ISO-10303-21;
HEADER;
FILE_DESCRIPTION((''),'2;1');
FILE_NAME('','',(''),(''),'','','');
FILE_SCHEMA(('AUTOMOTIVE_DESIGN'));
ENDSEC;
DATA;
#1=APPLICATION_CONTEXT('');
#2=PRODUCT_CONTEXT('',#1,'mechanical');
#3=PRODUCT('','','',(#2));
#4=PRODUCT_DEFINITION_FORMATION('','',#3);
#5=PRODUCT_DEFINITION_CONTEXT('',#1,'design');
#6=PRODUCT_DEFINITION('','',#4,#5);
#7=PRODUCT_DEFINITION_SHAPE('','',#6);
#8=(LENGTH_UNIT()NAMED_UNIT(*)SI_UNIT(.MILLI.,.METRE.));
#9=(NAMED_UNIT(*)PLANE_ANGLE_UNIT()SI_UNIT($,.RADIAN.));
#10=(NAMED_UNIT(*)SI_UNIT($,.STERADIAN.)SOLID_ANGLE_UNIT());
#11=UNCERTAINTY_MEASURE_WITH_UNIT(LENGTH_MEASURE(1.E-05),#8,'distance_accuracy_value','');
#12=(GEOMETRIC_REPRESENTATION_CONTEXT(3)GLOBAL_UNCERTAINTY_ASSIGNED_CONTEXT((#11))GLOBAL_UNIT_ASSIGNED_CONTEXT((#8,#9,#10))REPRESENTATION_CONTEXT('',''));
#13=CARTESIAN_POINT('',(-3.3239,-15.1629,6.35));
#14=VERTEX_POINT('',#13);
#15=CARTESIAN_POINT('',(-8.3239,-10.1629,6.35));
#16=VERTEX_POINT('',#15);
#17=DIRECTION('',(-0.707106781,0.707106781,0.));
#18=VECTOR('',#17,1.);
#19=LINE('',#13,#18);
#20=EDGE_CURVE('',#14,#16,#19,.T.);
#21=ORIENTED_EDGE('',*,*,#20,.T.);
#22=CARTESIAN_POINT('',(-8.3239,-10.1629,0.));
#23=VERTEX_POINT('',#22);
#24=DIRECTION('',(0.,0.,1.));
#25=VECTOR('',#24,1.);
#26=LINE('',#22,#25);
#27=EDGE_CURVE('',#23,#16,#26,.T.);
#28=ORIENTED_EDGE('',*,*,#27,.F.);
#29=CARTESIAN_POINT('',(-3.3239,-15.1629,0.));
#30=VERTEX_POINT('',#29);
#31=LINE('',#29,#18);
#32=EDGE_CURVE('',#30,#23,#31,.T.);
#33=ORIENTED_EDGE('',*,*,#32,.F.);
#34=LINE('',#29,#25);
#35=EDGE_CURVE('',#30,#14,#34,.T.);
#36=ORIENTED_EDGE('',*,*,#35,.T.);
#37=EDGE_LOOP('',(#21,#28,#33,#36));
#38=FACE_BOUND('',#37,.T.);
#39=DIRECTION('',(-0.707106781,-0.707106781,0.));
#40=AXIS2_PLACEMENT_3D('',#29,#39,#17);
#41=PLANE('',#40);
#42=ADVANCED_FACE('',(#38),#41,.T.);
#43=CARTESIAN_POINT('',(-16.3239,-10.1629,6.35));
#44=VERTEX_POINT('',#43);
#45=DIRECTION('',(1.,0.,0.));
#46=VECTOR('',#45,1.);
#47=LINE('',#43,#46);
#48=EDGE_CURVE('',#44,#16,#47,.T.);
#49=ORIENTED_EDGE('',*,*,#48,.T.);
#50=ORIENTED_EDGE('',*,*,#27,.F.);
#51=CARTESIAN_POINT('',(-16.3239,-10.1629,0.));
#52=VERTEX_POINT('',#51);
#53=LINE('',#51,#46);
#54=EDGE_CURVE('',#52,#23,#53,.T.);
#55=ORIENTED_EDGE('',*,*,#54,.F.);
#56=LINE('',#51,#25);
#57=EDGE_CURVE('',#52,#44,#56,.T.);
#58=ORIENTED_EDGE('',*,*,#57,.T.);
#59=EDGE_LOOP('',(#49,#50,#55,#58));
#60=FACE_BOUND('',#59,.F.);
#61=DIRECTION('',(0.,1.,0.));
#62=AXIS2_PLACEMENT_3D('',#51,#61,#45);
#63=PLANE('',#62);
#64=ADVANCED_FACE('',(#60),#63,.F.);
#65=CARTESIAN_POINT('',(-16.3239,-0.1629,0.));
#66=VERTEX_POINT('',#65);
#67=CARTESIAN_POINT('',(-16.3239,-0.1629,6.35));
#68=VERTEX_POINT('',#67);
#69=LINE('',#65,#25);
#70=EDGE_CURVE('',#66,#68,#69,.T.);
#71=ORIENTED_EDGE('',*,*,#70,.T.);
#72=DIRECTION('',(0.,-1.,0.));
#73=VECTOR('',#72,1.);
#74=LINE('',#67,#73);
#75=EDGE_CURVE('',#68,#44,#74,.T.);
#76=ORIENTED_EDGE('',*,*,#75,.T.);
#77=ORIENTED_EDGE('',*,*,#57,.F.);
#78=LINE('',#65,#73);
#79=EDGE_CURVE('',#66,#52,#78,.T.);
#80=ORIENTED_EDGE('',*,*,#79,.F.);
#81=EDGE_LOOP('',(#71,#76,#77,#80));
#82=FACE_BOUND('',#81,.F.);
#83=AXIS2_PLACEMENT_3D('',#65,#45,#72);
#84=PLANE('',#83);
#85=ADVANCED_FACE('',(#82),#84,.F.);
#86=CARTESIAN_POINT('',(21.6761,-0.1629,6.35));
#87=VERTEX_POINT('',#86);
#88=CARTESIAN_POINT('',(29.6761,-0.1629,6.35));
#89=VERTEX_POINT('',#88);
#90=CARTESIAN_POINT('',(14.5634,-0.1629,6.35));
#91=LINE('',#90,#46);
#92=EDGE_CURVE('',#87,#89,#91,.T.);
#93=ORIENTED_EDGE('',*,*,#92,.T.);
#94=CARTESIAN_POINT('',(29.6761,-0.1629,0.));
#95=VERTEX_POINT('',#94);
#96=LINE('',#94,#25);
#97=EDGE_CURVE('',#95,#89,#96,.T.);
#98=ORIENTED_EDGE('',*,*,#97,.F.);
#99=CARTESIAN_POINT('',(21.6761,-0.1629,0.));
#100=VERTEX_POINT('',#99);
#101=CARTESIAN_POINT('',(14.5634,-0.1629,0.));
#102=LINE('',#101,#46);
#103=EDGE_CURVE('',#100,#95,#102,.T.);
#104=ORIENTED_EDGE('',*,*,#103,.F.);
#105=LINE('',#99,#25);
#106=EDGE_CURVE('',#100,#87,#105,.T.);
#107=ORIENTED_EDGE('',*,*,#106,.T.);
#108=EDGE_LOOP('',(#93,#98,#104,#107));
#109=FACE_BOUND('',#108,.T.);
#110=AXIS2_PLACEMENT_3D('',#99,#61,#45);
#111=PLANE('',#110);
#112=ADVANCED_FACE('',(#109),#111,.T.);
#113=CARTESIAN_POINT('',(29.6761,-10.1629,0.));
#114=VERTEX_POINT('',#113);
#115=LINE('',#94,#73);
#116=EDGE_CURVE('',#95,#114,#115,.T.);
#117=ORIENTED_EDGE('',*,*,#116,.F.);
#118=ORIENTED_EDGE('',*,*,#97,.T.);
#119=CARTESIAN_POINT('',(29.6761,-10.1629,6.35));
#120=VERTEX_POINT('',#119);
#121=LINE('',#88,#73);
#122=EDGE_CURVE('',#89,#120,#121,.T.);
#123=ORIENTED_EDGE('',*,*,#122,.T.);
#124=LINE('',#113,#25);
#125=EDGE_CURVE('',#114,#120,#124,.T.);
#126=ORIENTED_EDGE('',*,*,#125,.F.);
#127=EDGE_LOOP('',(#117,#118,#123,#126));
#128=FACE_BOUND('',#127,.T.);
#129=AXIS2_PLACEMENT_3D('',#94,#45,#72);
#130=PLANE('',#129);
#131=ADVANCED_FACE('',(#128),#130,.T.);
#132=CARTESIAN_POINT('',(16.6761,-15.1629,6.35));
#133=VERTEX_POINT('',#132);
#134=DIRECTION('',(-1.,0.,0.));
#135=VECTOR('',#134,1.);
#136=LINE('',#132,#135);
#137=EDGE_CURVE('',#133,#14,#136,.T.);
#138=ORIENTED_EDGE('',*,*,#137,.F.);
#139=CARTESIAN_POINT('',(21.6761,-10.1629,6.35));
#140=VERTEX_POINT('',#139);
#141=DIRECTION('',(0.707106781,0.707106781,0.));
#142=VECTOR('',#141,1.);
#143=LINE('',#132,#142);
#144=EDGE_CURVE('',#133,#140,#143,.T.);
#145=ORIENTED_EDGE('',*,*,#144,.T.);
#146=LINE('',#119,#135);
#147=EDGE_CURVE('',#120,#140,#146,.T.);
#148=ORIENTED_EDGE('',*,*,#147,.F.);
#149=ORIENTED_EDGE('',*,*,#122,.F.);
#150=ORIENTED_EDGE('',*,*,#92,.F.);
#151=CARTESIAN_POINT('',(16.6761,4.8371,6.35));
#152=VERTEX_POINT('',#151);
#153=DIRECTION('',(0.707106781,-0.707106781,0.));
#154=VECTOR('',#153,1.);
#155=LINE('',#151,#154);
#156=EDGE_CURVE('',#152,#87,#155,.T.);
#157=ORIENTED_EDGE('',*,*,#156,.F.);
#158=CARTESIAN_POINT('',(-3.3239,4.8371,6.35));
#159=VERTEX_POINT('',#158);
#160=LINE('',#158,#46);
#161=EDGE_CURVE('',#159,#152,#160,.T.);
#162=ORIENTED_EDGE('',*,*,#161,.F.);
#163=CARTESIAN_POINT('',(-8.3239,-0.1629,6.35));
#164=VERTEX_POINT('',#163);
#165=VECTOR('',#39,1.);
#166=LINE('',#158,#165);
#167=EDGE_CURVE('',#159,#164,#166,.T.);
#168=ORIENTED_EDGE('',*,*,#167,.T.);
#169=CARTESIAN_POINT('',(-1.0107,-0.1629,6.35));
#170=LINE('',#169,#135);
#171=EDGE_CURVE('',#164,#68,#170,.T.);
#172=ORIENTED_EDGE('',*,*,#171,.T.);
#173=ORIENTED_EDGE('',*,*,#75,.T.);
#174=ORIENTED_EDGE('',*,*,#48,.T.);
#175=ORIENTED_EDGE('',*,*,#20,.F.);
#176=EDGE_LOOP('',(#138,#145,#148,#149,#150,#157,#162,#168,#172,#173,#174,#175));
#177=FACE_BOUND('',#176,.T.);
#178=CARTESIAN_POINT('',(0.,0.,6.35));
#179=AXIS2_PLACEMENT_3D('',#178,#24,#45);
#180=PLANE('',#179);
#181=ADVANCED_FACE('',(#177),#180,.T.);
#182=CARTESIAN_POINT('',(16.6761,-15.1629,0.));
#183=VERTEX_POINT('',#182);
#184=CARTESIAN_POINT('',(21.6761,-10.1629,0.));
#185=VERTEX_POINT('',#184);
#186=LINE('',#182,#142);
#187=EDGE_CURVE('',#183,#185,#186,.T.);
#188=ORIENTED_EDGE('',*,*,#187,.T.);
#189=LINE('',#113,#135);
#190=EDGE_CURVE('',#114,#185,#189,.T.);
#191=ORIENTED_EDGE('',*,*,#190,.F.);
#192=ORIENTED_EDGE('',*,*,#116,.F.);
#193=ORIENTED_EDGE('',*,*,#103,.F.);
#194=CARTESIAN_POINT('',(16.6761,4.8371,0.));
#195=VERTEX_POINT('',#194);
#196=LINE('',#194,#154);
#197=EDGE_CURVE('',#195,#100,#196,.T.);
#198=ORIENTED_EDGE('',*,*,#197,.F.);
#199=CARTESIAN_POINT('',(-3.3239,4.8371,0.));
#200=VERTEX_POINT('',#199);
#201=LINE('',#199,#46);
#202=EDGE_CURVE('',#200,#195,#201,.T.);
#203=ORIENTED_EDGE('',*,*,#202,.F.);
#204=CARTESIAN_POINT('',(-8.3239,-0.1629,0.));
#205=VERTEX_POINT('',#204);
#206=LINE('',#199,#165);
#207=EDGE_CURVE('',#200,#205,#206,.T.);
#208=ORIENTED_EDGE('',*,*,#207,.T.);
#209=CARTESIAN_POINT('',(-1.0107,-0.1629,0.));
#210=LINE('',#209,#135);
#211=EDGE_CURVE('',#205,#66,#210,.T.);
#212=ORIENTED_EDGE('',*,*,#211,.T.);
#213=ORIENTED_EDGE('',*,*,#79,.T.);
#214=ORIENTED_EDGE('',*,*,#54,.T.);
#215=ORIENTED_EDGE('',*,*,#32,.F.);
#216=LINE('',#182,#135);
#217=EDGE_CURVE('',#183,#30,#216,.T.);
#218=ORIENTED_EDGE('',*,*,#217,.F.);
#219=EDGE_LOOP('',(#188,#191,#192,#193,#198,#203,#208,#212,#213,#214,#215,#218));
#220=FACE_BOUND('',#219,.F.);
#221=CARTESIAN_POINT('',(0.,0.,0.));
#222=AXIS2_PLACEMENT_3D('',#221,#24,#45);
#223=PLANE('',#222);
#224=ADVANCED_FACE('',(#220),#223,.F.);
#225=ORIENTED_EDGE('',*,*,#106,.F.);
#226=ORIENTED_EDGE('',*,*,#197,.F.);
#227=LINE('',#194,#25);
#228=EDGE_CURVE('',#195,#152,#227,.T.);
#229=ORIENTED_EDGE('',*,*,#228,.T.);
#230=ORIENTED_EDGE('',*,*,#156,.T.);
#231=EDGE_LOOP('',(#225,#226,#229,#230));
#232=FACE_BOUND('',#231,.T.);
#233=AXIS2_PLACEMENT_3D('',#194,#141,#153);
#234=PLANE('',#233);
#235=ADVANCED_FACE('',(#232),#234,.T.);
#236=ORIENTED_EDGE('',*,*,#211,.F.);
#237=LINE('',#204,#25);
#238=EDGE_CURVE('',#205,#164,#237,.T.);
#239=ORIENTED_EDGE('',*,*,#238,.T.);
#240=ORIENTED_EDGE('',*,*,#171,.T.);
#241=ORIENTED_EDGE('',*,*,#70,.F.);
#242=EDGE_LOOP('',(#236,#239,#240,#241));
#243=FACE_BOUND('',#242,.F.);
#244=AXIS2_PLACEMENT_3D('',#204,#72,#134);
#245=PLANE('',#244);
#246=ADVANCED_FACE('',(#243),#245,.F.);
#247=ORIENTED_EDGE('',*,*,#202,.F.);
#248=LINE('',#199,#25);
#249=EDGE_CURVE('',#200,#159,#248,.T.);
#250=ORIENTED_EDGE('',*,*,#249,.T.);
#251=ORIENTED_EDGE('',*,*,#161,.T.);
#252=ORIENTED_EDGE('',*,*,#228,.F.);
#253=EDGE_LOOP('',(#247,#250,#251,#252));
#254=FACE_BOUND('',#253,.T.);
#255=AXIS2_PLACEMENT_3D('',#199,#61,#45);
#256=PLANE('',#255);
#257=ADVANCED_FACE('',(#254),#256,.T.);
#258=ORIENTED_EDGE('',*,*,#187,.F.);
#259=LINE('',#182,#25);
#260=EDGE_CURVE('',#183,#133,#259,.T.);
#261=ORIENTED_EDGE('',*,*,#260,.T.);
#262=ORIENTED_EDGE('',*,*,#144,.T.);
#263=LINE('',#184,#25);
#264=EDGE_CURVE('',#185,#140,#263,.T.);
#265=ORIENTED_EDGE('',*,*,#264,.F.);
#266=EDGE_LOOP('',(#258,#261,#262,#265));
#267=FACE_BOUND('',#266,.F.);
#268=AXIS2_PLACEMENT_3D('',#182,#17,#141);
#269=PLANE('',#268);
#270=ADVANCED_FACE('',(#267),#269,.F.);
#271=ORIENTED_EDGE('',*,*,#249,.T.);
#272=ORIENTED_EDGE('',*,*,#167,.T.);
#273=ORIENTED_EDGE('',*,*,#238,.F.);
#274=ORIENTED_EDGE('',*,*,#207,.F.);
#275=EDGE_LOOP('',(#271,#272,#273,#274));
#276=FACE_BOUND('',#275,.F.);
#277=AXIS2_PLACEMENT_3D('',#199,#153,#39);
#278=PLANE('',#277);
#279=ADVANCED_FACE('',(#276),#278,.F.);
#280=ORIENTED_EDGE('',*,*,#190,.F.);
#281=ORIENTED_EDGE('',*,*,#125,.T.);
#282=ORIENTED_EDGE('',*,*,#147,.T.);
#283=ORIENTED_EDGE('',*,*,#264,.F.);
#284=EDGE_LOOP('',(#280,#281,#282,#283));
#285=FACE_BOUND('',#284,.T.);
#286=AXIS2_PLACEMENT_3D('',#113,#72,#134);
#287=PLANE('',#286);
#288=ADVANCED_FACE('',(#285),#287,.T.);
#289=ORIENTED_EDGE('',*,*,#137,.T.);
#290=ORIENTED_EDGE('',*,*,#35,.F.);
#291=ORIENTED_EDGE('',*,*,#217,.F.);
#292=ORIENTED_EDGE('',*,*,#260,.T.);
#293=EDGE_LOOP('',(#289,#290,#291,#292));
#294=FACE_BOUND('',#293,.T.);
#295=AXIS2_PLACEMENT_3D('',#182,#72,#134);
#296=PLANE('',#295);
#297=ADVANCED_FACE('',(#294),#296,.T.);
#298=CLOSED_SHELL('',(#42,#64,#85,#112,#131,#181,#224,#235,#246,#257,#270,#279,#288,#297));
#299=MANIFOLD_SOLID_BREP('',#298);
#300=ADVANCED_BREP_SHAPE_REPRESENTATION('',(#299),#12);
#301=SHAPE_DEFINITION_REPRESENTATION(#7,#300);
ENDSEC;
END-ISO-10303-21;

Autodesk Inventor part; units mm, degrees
ref_plane "YZ Plane" through (0, 0, 0) normal (1, 0, 0) x (0, 1, 0)
ref_plane "XZ Plane" through (0, 0, 0) normal (0, 1, 0) x (-1, 0, 0)
ref_plane "XY Plane" through (0, 0, 0) normal (0, 0, 1) x (1, 0, 0)
sketch "Sketch1" plane through (0, 0, 0) normal (0, 0, 1) x (1, 0, 0)
  line L0 (-3.3239, 4.8371) -> (16.6761, 4.8371)
  line L1 (16.6761, 4.8371) -> (16.6761, -15.1629)
  line L2 (16.6761, -15.1629) -> (-3.3239, -15.1629)
  line L3 (-3.3239, -15.1629) -> (-3.3239, 4.8371)
  line L4 (14.5634, -0.1629) -> (29.6761, -0.1629)
  line L5 (29.6761, -0.1629) -> (29.6761, -10.1629)
  line L6 (29.6761, -10.1629) -> (14.5634, -10.1629)
  line L7 (14.5634, -10.1629) -> (14.5634, -0.1629)
  line L8 (-1.0107, -0.1629) -> (-16.3239, -0.1629)
  line L9 (-16.3239, -0.1629) -> (-16.3239, -10.1629)
  line L10 (-16.3239, -10.1629) -> (-1.0107, -10.1629)
  line L11 (-1.0107, -10.1629) -> (-1.0107, -0.1629)
  line L12 (-3.3239, 4.8371) -> (-8.3239, -0.1629)
  line L13 (16.6761, 4.8371) -> (21.6761, -0.1629)
  line L14 (-3.3239, -15.1629) -> (-8.3239, -10.1629)
  line L15 (16.6761, -15.1629) -> (21.6761, -10.1629)
  point P0 (0, 0)
  dimension "d0" = 20
  dimension "d1" = 20
  dimension "d2" = 10
  dimension "d3" = 10
  dimension "d4" = 0
  dimension "d5" = 5
  dimension "d6" = 13
  dimension "d7" = 13
  dimension "d10" = 45
  dimension "d11" = 45
  dimension "d12" = 45
extrude "Extrusion1" add sketch "Sketch1" along normal blind 6.35
properties part number "ColdFingerStem"
